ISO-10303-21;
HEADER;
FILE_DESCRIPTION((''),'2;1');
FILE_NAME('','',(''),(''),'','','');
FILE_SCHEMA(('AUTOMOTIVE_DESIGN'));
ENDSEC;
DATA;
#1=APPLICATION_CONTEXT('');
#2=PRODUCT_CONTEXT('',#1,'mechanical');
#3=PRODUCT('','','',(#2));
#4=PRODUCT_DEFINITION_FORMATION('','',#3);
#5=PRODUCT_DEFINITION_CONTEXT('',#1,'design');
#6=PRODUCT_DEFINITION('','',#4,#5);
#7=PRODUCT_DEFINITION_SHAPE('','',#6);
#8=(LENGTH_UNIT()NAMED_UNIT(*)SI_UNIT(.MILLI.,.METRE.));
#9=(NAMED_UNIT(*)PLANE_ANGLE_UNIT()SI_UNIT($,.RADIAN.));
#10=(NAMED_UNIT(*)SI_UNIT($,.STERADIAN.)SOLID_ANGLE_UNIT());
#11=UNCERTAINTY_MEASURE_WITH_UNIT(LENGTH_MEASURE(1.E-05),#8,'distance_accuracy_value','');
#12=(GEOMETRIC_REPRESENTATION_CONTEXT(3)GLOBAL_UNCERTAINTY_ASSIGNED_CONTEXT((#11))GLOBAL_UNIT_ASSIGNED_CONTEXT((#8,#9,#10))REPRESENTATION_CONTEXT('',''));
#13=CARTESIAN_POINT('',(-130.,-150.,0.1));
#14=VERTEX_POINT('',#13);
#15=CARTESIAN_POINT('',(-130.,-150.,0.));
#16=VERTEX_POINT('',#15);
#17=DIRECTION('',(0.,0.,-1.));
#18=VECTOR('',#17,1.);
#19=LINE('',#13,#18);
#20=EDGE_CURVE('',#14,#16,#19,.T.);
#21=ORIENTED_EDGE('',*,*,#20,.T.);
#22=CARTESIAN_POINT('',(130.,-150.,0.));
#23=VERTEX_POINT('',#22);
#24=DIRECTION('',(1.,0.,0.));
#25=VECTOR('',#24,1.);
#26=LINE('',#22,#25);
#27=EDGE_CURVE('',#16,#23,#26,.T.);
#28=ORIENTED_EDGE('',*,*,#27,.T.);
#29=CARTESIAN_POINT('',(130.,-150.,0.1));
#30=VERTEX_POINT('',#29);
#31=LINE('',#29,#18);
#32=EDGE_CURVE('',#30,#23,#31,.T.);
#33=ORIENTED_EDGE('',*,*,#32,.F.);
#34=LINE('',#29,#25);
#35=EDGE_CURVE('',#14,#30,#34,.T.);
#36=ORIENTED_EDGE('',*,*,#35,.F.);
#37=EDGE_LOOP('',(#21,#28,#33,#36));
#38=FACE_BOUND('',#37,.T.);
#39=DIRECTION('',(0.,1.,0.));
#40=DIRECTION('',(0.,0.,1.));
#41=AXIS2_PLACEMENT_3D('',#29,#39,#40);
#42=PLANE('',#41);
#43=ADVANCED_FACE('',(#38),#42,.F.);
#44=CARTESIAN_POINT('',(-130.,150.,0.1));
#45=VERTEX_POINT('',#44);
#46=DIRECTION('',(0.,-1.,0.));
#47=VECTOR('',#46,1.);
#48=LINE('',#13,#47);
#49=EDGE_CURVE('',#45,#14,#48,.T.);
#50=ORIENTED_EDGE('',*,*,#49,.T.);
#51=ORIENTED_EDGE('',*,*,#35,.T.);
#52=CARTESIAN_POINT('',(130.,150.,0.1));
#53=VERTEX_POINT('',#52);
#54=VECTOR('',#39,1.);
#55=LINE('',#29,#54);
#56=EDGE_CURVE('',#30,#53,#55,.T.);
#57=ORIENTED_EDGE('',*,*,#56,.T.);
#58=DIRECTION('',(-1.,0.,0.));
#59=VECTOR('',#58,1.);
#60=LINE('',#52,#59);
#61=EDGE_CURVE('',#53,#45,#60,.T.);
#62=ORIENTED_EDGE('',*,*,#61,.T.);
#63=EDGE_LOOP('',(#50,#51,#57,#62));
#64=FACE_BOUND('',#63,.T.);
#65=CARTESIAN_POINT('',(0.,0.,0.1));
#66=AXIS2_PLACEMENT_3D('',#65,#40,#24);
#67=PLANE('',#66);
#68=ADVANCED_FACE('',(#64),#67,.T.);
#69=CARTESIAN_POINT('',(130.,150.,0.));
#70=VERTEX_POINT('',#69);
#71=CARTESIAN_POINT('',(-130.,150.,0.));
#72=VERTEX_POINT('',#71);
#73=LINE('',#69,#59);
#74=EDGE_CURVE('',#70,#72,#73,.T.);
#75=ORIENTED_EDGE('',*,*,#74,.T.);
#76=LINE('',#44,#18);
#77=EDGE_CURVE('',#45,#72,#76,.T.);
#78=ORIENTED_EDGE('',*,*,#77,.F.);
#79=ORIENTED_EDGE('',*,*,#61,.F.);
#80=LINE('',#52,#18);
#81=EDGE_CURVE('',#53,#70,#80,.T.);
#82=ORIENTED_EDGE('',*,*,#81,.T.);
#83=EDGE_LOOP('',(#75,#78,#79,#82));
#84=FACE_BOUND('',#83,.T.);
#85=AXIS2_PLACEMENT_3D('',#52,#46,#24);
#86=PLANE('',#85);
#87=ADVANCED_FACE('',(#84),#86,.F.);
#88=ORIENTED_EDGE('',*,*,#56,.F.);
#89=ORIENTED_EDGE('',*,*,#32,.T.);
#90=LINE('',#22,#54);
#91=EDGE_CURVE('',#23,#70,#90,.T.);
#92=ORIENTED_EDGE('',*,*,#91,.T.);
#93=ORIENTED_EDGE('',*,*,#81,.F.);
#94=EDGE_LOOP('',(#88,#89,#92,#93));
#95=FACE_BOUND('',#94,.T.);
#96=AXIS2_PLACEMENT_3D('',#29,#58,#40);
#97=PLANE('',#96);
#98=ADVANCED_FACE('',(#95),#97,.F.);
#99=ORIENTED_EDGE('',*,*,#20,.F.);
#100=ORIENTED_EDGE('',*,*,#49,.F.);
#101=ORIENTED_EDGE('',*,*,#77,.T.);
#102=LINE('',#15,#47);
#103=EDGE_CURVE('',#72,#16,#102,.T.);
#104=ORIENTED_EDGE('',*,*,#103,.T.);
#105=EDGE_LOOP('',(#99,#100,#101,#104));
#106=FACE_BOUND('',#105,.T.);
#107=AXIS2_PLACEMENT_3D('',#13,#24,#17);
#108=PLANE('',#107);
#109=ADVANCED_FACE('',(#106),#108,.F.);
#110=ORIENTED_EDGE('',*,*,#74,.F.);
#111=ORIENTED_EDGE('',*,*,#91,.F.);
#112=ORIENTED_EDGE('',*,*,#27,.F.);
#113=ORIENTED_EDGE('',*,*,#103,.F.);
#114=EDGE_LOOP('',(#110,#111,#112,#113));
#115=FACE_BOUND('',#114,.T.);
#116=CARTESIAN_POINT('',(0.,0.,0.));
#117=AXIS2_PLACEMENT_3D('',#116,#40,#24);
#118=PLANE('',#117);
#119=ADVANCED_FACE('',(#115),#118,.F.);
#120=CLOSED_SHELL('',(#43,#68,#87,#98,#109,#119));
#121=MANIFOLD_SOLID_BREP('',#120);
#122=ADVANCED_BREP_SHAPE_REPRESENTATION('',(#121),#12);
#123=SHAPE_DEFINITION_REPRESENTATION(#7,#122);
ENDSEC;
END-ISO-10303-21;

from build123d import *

# Parameters (mm, degrees)
SKETCH_1_W      = 260
SKETCH_1_H      = 300
EXTRUDE_1_DEPTH = 0.1


with BuildPart() as part:
    # Эскиз1 → Бобышка-Вытянуть1 (new body)
    with BuildSketch(Plane.XY):
        Rectangle(SKETCH_1_W, SKETCH_1_H)
    extrude(amount=EXTRUDE_1_DEPTH)


solid = part.part
